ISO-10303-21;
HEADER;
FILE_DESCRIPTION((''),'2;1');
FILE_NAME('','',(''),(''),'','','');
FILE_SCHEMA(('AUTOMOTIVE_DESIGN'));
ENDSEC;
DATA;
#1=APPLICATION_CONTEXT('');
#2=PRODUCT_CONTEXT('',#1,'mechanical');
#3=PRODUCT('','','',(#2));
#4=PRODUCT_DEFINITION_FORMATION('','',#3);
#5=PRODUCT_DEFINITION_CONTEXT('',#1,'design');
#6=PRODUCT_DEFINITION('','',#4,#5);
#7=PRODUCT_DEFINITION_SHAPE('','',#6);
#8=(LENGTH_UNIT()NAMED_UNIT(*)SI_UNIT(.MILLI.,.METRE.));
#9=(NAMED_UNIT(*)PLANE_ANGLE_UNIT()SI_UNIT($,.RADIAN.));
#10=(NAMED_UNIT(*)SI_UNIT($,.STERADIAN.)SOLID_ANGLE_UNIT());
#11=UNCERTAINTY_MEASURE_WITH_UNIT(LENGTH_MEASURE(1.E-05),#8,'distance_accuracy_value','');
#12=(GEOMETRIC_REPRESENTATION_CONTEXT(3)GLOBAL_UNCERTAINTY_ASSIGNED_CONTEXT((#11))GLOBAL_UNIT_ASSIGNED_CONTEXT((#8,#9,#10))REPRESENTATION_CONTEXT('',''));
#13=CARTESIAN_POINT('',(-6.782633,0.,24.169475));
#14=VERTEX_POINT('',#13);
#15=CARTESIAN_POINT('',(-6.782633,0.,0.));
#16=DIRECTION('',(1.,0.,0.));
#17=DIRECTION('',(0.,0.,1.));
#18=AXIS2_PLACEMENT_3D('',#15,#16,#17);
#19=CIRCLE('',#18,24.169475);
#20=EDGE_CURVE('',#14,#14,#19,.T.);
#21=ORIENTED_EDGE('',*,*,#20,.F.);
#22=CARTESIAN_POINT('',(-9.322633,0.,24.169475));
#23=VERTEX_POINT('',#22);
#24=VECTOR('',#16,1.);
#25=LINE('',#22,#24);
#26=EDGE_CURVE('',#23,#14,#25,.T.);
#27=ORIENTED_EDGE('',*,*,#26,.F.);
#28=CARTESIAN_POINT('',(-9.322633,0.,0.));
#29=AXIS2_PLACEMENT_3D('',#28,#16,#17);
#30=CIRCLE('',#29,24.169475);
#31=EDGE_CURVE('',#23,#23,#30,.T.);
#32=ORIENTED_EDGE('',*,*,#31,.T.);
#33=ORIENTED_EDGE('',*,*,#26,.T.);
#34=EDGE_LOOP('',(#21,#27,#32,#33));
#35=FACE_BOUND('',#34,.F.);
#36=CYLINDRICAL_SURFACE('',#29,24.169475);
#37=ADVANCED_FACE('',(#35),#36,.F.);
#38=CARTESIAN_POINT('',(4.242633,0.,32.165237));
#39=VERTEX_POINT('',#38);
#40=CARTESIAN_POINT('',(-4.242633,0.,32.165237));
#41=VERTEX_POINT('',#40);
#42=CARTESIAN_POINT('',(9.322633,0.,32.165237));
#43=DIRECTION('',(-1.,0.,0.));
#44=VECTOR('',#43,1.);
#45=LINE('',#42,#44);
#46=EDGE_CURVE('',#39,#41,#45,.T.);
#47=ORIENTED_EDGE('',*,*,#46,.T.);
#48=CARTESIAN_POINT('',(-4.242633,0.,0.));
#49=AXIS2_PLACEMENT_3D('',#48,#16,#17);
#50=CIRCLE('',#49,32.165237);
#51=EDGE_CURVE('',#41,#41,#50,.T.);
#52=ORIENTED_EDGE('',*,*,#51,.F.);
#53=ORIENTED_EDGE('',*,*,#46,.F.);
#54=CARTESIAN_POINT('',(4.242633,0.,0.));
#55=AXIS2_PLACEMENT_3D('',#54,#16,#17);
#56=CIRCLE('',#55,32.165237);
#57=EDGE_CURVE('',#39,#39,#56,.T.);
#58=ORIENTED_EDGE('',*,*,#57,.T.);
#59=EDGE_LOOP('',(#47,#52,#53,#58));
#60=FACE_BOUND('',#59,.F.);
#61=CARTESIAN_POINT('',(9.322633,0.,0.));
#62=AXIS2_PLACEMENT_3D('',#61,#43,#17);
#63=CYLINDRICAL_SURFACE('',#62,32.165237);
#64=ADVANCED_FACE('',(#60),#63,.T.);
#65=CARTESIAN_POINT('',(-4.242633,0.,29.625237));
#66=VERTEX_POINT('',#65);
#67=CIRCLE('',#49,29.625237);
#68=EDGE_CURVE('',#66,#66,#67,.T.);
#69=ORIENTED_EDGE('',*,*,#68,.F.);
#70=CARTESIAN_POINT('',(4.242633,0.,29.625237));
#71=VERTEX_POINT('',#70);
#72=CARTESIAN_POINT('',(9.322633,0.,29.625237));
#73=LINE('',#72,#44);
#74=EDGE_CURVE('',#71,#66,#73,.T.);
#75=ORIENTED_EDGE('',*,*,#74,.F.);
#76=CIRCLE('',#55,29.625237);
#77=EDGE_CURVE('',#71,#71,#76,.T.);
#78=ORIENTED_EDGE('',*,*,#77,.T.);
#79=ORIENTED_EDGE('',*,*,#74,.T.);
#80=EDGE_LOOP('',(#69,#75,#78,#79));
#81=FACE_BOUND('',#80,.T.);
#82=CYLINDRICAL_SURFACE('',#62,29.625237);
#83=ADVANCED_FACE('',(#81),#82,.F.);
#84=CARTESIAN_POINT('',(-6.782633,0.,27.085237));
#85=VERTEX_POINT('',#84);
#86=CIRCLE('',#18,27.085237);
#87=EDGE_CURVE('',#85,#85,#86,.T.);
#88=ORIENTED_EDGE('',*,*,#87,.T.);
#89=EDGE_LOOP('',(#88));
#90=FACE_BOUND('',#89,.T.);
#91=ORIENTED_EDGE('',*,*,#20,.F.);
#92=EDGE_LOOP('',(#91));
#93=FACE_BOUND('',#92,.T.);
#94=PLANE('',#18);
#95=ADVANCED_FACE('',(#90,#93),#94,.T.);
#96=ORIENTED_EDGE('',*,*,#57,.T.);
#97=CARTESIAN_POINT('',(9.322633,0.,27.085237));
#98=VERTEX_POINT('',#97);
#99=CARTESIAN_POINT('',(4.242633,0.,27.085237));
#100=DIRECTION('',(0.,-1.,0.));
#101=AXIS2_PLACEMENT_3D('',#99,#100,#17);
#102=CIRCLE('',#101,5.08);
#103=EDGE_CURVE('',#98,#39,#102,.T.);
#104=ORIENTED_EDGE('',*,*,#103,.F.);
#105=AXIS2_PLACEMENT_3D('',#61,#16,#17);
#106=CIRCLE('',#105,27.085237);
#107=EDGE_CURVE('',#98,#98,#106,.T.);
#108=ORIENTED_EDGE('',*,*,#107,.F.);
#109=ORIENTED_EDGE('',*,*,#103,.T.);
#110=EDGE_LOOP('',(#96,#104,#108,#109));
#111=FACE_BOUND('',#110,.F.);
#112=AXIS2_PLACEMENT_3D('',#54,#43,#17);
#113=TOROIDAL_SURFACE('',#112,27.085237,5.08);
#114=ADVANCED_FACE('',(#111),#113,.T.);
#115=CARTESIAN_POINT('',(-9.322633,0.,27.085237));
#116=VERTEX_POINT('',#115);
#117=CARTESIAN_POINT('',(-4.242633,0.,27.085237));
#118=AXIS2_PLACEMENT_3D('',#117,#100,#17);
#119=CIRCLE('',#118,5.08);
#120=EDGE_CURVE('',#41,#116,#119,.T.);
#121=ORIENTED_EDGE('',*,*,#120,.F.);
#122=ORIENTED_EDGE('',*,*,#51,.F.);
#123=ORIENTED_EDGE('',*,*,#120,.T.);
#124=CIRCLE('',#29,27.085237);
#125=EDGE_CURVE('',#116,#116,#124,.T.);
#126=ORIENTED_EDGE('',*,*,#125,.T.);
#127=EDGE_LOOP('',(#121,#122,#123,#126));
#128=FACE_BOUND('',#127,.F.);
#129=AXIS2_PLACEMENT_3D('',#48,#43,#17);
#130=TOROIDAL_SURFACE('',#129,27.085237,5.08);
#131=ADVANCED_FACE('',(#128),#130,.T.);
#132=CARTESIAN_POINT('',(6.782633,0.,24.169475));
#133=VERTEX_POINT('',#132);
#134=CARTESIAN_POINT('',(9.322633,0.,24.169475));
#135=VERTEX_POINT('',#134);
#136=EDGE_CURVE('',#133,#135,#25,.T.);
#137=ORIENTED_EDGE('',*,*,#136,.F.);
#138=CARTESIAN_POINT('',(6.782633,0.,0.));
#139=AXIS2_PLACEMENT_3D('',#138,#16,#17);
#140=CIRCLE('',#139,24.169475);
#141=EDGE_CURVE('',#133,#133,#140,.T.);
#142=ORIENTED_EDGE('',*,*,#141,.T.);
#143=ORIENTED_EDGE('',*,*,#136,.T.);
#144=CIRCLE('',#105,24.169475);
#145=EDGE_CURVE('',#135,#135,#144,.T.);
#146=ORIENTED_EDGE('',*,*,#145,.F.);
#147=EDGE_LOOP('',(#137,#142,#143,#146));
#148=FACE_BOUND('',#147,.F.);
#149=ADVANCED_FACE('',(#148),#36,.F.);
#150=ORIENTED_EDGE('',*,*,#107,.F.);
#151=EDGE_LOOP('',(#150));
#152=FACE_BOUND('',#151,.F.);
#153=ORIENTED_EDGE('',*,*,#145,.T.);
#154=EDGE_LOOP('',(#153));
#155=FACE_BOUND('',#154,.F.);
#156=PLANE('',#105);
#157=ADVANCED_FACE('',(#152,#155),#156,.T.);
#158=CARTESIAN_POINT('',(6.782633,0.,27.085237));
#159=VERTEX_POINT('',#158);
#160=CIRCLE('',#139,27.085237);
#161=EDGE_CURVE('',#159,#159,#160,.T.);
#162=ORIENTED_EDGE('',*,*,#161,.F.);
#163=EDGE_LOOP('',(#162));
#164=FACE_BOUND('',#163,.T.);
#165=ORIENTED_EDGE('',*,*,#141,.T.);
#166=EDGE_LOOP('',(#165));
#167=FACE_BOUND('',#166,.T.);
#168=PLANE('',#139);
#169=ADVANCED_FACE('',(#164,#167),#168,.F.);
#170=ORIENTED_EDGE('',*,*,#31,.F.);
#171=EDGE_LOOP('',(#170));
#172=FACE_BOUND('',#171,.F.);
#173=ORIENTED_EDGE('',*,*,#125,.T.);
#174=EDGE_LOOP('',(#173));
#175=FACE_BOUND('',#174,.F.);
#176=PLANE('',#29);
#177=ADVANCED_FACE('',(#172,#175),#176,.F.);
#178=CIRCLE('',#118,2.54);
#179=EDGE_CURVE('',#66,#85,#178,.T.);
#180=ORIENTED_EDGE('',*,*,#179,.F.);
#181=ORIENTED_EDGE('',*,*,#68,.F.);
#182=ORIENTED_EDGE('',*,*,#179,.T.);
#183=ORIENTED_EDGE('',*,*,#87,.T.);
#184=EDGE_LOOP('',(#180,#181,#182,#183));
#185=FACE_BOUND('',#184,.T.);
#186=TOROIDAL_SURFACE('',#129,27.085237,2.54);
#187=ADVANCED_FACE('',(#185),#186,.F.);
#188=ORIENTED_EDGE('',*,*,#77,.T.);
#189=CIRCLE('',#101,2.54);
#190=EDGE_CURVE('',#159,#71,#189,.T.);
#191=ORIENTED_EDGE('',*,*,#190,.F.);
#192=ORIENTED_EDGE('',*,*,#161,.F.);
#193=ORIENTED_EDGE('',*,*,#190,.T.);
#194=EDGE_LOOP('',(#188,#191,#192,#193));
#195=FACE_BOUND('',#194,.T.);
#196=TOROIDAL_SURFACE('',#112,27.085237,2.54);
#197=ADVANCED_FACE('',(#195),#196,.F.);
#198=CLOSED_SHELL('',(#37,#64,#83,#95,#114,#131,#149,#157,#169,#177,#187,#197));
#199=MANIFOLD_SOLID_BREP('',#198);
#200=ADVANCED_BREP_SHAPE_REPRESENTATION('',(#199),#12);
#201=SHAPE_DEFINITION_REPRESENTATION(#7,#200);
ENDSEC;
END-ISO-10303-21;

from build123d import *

# Parameters (mm, degrees)
F2_R = 5.08
F3_R = 5.08
F4_T = -2.54


with BuildPart() as f1:
    # F0 (on Front) → F1 (revolve)
    with BuildSketch(Plane.XZ):
        Polygon((0, 32.165237), (-9.322633, 32.165237), (-9.322633, 24.169475), (0, 24.169475), (9.322633, 24.169475), (9.322633, 32.165237), align=None)
    revolve(axis=Axis((0.987695, 0, 0), (1, 0, 0)))

    # F2
    f2_edges = [f1.edges().sort_by_distance(p)[0] for p in [
        (9.322633, 0, -32.165237),
    ]]
    fillet(f2_edges, radius=F2_R)

    # F3
    f3_edges = [f1.edges().sort_by_distance(p)[0] for p in [
        (-9.322633, 0, -32.165237),
    ]]
    fillet(f3_edges, radius=F3_R)

    # F4
    f4_openings = [f1.faces().sort_by_distance(p)[0] for p in [
        (0, 0, -24.169475),
    ]]
    offset(amount=F4_T, openings=f4_openings)


solid = f1.part
